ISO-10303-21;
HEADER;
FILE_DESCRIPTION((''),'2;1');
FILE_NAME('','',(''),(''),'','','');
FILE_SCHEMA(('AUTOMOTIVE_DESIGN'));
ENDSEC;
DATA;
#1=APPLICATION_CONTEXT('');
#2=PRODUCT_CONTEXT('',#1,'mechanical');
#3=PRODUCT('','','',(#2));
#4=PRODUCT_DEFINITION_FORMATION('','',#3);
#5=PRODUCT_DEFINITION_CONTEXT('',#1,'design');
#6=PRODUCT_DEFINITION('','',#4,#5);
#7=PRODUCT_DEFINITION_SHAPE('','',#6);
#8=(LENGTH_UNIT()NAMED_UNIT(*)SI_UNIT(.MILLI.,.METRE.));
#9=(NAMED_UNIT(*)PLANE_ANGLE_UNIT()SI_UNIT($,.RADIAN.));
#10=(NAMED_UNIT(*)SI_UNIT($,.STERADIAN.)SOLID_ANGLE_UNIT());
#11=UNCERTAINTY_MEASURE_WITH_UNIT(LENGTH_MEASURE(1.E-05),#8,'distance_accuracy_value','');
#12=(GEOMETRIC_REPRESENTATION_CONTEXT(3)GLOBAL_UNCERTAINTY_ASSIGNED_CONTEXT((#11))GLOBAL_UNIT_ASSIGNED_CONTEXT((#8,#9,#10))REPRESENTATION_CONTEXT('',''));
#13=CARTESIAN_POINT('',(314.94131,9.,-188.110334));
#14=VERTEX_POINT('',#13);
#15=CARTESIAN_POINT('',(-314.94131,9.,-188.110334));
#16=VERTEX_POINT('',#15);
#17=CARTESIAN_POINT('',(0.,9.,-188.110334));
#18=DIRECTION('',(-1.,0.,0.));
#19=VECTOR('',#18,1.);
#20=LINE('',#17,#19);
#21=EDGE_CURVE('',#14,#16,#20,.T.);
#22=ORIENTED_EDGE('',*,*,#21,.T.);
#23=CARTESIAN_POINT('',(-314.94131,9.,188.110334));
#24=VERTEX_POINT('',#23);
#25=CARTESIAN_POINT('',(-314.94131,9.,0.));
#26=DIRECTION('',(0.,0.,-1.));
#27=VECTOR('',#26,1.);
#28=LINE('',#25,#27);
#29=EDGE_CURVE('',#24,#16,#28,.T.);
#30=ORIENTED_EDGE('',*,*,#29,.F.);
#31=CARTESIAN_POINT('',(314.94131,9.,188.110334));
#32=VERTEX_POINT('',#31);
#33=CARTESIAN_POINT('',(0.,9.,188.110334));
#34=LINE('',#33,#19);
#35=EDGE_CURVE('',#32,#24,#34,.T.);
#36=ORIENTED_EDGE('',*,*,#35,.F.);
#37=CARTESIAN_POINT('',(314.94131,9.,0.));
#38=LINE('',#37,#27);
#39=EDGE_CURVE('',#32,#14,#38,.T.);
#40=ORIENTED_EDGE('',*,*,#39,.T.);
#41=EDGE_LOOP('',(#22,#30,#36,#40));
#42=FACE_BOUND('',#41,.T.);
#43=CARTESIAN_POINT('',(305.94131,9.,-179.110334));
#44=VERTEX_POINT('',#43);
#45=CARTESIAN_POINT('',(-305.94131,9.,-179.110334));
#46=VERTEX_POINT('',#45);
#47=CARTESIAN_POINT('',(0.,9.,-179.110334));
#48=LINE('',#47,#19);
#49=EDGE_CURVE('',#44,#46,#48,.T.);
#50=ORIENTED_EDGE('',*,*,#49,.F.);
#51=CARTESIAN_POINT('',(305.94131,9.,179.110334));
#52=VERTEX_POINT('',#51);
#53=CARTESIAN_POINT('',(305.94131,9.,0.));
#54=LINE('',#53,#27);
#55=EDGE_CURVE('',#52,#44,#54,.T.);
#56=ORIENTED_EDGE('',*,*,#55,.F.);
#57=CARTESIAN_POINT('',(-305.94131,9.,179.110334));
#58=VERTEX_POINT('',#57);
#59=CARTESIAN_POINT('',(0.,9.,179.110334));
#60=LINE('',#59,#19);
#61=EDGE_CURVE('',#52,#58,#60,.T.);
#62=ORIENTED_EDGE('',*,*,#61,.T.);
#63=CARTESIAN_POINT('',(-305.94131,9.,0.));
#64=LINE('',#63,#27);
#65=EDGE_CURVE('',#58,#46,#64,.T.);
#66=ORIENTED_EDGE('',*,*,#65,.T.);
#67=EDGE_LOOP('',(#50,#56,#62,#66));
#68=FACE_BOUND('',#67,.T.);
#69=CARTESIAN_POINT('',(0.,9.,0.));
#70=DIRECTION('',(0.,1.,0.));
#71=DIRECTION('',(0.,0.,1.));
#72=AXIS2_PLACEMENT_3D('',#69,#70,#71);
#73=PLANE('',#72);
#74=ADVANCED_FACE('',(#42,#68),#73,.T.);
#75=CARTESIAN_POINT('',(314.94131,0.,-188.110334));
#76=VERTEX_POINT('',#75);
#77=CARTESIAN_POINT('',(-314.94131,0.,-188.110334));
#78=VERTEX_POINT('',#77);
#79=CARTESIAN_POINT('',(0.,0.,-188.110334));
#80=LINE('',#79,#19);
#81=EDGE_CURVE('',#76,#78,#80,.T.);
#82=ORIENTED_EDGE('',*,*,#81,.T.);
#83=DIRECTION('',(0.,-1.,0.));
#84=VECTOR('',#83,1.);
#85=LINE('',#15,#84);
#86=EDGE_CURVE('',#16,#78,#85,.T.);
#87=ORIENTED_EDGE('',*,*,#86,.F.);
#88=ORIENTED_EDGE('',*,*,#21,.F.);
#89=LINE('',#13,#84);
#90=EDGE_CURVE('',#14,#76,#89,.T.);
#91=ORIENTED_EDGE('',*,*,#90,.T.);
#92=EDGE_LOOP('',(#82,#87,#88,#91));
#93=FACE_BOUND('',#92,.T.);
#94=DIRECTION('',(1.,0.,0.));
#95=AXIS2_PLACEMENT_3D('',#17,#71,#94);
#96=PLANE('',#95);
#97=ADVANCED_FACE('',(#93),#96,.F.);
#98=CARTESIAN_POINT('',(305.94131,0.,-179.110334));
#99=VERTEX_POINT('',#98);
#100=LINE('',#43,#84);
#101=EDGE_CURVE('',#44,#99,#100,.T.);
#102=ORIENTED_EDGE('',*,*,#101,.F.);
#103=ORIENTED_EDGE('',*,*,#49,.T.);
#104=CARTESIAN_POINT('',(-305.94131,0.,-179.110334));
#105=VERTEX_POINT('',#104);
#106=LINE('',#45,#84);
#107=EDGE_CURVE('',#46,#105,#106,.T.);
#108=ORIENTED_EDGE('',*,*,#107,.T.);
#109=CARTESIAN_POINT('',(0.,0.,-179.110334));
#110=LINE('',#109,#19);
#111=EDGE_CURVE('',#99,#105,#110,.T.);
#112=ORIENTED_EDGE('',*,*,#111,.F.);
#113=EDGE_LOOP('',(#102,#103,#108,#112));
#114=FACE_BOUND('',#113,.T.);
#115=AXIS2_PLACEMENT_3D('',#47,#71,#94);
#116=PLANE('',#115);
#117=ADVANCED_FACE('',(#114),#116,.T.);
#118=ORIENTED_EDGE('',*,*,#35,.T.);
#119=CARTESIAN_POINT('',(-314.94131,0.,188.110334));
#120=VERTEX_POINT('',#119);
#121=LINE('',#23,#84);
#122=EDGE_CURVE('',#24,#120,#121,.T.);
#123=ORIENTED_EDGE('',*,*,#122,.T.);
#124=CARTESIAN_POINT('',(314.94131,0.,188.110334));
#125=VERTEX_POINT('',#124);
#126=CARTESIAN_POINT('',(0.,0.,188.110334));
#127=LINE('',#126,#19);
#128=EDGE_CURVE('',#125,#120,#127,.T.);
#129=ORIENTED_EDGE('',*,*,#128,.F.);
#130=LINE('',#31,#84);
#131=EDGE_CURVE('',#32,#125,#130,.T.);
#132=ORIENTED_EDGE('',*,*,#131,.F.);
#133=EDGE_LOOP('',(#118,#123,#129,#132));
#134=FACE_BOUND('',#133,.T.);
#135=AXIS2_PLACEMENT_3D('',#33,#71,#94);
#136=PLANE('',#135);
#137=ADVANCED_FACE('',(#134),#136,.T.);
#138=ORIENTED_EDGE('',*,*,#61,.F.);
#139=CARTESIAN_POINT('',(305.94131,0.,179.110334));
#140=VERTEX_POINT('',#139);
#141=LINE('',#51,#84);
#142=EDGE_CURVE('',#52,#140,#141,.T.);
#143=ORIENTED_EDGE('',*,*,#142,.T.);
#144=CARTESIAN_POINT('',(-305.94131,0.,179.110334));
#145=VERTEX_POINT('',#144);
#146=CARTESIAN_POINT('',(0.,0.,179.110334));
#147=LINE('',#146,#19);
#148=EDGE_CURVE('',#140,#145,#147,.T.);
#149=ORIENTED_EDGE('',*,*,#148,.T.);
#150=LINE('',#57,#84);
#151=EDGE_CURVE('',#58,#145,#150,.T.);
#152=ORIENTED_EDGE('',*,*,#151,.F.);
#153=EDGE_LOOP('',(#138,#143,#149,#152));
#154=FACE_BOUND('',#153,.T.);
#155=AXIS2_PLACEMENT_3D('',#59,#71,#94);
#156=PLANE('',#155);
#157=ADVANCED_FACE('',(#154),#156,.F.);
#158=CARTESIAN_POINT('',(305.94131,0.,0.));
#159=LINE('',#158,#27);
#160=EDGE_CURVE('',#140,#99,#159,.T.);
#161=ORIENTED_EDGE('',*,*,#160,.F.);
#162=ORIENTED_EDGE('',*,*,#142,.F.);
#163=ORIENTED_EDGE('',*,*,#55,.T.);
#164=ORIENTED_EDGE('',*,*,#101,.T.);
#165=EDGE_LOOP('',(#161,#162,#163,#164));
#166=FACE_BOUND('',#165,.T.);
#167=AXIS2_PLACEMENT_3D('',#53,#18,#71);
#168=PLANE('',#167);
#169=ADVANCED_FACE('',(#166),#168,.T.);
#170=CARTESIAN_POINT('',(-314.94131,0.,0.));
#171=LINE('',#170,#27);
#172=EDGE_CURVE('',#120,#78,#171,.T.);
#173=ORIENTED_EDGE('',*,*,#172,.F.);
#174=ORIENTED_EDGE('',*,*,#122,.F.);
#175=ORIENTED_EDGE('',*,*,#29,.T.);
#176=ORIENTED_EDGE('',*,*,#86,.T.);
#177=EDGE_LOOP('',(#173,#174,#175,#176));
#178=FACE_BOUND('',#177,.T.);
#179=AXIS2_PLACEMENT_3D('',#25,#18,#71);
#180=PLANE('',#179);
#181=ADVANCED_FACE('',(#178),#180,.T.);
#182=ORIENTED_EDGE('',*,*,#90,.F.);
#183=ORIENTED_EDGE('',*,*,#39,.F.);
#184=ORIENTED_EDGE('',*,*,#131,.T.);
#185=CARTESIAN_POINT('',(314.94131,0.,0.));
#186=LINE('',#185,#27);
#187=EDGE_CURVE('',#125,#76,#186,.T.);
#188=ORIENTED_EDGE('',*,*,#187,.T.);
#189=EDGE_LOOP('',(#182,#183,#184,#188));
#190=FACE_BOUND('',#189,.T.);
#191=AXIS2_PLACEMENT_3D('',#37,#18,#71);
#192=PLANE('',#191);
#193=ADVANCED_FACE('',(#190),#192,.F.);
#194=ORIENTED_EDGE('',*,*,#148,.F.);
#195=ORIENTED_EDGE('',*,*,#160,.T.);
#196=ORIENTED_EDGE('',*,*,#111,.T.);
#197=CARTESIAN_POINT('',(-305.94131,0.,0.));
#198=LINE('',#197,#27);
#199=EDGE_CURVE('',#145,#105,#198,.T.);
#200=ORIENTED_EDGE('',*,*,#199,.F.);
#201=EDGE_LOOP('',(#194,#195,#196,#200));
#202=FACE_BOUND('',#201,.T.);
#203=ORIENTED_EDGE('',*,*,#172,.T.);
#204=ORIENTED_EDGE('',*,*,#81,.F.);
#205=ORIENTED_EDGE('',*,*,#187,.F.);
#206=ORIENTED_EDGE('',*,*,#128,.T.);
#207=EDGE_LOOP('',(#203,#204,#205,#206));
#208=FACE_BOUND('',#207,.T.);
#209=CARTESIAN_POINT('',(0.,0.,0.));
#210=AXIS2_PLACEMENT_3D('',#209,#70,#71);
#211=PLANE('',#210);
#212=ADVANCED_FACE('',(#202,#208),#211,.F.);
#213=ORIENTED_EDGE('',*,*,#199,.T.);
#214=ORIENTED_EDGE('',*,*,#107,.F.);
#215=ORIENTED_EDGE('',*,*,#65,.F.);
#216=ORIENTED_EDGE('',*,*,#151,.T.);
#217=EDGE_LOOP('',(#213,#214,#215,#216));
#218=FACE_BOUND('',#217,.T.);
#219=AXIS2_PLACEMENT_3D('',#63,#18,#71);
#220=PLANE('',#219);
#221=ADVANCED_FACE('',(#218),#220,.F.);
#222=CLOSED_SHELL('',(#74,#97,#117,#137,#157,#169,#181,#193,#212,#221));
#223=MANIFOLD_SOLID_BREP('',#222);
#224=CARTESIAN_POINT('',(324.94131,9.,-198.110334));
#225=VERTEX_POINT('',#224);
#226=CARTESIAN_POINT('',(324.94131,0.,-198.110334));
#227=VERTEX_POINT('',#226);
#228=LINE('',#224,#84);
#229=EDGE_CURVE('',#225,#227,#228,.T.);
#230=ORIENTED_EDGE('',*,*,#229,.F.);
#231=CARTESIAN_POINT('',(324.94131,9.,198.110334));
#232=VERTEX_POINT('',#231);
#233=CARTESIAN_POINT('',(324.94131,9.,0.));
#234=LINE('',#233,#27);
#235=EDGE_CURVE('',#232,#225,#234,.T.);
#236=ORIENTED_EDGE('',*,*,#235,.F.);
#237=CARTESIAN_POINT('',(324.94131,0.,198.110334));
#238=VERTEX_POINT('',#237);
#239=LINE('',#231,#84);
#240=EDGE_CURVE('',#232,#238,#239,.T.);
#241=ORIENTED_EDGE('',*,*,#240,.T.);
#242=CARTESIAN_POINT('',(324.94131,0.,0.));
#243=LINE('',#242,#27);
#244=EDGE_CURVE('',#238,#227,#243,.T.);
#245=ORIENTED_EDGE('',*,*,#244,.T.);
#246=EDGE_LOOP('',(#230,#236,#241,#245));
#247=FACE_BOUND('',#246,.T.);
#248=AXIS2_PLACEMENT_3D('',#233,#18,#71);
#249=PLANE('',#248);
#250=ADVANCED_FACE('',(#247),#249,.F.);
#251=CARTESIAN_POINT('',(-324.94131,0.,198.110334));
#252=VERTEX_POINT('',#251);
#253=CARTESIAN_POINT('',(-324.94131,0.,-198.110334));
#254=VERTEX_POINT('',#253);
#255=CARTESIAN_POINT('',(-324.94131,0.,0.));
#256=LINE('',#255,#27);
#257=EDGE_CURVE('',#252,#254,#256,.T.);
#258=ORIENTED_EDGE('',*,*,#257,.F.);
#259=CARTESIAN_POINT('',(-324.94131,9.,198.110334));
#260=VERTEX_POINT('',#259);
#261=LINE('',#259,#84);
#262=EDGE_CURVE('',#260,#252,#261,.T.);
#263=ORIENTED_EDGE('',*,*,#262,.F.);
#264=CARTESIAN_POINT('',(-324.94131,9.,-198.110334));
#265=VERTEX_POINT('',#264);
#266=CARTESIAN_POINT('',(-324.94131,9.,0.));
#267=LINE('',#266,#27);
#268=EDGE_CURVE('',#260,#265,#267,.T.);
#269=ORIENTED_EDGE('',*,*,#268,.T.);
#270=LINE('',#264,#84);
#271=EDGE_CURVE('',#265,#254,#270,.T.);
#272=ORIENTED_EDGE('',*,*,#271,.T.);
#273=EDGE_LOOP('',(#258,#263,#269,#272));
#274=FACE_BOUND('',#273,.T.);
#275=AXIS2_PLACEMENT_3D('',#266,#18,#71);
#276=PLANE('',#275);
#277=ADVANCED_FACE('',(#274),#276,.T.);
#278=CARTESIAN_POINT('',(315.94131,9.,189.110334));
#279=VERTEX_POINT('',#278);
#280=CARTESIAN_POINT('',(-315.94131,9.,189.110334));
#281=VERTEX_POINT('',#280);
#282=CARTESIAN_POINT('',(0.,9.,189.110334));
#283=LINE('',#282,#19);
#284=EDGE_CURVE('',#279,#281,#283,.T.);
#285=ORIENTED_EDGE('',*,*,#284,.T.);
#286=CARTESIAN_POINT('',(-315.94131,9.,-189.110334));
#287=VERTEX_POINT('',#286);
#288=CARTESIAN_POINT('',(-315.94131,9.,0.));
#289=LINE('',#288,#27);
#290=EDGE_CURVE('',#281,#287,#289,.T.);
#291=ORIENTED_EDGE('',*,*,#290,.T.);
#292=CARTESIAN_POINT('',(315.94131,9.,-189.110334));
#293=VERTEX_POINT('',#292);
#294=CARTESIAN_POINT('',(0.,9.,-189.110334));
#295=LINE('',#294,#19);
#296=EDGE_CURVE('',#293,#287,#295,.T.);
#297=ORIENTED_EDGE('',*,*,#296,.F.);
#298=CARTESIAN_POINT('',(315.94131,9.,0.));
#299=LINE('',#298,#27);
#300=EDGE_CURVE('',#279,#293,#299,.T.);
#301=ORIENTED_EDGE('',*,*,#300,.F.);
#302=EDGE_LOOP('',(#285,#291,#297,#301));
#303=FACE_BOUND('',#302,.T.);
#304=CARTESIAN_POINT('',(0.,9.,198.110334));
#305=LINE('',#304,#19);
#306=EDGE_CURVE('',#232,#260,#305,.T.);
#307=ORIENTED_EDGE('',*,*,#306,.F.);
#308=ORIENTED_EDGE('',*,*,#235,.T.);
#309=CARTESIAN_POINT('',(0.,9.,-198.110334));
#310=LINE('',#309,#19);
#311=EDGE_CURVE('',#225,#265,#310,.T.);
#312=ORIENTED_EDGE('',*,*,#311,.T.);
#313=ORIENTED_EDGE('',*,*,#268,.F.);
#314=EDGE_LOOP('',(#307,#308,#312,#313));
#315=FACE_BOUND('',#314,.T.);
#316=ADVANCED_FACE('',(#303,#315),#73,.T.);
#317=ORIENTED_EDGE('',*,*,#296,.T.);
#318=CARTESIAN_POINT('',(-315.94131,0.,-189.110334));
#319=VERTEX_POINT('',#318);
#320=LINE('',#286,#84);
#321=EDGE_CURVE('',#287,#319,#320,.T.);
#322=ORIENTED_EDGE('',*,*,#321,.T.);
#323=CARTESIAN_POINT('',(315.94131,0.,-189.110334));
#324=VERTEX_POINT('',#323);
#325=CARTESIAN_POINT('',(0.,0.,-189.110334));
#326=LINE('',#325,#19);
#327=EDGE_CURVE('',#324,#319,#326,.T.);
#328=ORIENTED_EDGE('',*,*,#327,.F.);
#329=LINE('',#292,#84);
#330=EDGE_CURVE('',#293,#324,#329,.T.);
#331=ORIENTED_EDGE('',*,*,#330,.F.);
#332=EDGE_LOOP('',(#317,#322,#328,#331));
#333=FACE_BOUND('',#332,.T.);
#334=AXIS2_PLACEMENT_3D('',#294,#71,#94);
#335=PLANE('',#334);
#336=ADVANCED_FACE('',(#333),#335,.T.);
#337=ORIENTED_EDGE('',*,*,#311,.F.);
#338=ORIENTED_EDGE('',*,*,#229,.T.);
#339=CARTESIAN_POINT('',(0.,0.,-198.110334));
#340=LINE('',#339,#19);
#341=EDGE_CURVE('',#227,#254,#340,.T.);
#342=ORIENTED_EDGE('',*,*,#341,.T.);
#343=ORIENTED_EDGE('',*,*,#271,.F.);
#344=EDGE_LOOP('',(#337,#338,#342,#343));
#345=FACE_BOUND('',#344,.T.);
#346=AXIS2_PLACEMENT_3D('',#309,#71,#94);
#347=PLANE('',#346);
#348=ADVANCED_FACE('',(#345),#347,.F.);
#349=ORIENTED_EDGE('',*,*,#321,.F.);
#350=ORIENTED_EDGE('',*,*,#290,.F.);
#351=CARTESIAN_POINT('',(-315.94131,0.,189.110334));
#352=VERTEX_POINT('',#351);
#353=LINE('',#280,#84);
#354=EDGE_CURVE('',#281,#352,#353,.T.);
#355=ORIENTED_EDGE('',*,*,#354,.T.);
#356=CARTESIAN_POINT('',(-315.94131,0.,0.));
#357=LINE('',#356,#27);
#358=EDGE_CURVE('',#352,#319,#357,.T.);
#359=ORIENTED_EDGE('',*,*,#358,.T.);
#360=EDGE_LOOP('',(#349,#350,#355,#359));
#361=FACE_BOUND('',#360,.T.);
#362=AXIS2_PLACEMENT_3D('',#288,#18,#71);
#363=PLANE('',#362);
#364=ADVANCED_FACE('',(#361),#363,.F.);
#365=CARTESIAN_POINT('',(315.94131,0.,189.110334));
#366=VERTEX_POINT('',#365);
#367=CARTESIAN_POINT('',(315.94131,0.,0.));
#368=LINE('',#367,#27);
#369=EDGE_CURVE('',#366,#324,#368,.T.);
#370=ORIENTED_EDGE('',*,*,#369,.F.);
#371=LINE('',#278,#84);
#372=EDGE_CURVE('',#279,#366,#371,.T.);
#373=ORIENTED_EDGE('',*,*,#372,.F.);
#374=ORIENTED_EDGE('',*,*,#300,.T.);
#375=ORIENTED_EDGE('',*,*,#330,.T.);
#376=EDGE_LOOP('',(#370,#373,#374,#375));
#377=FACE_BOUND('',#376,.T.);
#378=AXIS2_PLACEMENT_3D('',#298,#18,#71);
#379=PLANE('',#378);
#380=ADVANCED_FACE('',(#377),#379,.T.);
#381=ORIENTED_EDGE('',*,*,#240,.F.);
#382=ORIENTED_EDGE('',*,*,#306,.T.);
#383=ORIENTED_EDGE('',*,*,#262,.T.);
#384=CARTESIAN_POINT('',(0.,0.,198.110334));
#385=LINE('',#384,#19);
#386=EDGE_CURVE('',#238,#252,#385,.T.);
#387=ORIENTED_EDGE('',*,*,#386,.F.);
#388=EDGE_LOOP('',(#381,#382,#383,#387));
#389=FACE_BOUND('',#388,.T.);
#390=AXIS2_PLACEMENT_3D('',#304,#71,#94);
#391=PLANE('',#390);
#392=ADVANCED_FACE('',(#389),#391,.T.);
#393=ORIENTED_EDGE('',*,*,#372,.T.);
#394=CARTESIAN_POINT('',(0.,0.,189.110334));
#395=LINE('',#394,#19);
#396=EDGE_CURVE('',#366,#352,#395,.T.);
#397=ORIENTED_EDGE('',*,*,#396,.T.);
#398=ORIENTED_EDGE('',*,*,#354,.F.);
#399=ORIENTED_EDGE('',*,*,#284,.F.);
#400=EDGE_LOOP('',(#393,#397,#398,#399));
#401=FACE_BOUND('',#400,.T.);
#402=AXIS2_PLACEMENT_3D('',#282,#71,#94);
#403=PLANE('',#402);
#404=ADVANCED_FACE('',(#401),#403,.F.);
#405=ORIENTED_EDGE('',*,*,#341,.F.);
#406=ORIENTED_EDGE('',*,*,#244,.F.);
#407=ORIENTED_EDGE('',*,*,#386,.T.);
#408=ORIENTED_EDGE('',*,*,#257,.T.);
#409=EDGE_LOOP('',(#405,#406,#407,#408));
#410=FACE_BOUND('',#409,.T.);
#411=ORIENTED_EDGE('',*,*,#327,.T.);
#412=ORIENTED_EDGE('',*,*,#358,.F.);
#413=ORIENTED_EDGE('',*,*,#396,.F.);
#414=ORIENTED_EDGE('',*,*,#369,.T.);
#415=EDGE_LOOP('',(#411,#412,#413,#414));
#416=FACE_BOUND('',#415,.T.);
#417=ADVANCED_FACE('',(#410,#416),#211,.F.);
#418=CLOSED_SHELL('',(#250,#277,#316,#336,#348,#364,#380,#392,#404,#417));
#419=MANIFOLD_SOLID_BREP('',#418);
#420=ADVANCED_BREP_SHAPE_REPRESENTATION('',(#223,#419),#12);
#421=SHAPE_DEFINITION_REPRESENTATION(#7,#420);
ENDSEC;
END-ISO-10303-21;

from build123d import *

# Parameters (mm, degrees)
SKETCH6_W             = 629.882620812
SKETCH6_H             = 376.220667898
SKETCH6_W_2           = 611.882620812
SKETCH6_H_2           = 358.220667898
BOSS_EXTRUDE3_DEPTH   = 9
SKETCH6_W_3           = 649.882620812
SKETCH6_H_3           = 396.220667898
SKETCH6_W_4           = 631.882620812
SKETCH6_H_4           = 378.220667898
BOSS_EXTRUDE3_2_DEPTH = 9


with BuildPart() as part:
    # Sketch6 → Boss-Extrude3 (new body)
    with BuildSketch(Plane(origin=(0, 0, 0), x_dir=(1, 0, 0), z_dir=(0, 1, 0))):
        Rectangle(SKETCH6_W, SKETCH6_H)
        Rectangle(SKETCH6_W_2, SKETCH6_H_2, mode=Mode.SUBTRACT)
    extrude(amount=BOSS_EXTRUDE3_DEPTH)


with BuildPart() as body_2:
    # Sketch6 → Boss-Extrude3 2 (new body)
    with BuildSketch(Plane(origin=(0, 0, 0), x_dir=(1, 0, 0), z_dir=(0, 1, 0))):
        Rectangle(SKETCH6_W_3, SKETCH6_H_3)
        Rectangle(SKETCH6_W_4, SKETCH6_H_4, mode=Mode.SUBTRACT)
    extrude(amount=BOSS_EXTRUDE3_2_DEPTH)


solid = Compound([part.part, body_2.part])
